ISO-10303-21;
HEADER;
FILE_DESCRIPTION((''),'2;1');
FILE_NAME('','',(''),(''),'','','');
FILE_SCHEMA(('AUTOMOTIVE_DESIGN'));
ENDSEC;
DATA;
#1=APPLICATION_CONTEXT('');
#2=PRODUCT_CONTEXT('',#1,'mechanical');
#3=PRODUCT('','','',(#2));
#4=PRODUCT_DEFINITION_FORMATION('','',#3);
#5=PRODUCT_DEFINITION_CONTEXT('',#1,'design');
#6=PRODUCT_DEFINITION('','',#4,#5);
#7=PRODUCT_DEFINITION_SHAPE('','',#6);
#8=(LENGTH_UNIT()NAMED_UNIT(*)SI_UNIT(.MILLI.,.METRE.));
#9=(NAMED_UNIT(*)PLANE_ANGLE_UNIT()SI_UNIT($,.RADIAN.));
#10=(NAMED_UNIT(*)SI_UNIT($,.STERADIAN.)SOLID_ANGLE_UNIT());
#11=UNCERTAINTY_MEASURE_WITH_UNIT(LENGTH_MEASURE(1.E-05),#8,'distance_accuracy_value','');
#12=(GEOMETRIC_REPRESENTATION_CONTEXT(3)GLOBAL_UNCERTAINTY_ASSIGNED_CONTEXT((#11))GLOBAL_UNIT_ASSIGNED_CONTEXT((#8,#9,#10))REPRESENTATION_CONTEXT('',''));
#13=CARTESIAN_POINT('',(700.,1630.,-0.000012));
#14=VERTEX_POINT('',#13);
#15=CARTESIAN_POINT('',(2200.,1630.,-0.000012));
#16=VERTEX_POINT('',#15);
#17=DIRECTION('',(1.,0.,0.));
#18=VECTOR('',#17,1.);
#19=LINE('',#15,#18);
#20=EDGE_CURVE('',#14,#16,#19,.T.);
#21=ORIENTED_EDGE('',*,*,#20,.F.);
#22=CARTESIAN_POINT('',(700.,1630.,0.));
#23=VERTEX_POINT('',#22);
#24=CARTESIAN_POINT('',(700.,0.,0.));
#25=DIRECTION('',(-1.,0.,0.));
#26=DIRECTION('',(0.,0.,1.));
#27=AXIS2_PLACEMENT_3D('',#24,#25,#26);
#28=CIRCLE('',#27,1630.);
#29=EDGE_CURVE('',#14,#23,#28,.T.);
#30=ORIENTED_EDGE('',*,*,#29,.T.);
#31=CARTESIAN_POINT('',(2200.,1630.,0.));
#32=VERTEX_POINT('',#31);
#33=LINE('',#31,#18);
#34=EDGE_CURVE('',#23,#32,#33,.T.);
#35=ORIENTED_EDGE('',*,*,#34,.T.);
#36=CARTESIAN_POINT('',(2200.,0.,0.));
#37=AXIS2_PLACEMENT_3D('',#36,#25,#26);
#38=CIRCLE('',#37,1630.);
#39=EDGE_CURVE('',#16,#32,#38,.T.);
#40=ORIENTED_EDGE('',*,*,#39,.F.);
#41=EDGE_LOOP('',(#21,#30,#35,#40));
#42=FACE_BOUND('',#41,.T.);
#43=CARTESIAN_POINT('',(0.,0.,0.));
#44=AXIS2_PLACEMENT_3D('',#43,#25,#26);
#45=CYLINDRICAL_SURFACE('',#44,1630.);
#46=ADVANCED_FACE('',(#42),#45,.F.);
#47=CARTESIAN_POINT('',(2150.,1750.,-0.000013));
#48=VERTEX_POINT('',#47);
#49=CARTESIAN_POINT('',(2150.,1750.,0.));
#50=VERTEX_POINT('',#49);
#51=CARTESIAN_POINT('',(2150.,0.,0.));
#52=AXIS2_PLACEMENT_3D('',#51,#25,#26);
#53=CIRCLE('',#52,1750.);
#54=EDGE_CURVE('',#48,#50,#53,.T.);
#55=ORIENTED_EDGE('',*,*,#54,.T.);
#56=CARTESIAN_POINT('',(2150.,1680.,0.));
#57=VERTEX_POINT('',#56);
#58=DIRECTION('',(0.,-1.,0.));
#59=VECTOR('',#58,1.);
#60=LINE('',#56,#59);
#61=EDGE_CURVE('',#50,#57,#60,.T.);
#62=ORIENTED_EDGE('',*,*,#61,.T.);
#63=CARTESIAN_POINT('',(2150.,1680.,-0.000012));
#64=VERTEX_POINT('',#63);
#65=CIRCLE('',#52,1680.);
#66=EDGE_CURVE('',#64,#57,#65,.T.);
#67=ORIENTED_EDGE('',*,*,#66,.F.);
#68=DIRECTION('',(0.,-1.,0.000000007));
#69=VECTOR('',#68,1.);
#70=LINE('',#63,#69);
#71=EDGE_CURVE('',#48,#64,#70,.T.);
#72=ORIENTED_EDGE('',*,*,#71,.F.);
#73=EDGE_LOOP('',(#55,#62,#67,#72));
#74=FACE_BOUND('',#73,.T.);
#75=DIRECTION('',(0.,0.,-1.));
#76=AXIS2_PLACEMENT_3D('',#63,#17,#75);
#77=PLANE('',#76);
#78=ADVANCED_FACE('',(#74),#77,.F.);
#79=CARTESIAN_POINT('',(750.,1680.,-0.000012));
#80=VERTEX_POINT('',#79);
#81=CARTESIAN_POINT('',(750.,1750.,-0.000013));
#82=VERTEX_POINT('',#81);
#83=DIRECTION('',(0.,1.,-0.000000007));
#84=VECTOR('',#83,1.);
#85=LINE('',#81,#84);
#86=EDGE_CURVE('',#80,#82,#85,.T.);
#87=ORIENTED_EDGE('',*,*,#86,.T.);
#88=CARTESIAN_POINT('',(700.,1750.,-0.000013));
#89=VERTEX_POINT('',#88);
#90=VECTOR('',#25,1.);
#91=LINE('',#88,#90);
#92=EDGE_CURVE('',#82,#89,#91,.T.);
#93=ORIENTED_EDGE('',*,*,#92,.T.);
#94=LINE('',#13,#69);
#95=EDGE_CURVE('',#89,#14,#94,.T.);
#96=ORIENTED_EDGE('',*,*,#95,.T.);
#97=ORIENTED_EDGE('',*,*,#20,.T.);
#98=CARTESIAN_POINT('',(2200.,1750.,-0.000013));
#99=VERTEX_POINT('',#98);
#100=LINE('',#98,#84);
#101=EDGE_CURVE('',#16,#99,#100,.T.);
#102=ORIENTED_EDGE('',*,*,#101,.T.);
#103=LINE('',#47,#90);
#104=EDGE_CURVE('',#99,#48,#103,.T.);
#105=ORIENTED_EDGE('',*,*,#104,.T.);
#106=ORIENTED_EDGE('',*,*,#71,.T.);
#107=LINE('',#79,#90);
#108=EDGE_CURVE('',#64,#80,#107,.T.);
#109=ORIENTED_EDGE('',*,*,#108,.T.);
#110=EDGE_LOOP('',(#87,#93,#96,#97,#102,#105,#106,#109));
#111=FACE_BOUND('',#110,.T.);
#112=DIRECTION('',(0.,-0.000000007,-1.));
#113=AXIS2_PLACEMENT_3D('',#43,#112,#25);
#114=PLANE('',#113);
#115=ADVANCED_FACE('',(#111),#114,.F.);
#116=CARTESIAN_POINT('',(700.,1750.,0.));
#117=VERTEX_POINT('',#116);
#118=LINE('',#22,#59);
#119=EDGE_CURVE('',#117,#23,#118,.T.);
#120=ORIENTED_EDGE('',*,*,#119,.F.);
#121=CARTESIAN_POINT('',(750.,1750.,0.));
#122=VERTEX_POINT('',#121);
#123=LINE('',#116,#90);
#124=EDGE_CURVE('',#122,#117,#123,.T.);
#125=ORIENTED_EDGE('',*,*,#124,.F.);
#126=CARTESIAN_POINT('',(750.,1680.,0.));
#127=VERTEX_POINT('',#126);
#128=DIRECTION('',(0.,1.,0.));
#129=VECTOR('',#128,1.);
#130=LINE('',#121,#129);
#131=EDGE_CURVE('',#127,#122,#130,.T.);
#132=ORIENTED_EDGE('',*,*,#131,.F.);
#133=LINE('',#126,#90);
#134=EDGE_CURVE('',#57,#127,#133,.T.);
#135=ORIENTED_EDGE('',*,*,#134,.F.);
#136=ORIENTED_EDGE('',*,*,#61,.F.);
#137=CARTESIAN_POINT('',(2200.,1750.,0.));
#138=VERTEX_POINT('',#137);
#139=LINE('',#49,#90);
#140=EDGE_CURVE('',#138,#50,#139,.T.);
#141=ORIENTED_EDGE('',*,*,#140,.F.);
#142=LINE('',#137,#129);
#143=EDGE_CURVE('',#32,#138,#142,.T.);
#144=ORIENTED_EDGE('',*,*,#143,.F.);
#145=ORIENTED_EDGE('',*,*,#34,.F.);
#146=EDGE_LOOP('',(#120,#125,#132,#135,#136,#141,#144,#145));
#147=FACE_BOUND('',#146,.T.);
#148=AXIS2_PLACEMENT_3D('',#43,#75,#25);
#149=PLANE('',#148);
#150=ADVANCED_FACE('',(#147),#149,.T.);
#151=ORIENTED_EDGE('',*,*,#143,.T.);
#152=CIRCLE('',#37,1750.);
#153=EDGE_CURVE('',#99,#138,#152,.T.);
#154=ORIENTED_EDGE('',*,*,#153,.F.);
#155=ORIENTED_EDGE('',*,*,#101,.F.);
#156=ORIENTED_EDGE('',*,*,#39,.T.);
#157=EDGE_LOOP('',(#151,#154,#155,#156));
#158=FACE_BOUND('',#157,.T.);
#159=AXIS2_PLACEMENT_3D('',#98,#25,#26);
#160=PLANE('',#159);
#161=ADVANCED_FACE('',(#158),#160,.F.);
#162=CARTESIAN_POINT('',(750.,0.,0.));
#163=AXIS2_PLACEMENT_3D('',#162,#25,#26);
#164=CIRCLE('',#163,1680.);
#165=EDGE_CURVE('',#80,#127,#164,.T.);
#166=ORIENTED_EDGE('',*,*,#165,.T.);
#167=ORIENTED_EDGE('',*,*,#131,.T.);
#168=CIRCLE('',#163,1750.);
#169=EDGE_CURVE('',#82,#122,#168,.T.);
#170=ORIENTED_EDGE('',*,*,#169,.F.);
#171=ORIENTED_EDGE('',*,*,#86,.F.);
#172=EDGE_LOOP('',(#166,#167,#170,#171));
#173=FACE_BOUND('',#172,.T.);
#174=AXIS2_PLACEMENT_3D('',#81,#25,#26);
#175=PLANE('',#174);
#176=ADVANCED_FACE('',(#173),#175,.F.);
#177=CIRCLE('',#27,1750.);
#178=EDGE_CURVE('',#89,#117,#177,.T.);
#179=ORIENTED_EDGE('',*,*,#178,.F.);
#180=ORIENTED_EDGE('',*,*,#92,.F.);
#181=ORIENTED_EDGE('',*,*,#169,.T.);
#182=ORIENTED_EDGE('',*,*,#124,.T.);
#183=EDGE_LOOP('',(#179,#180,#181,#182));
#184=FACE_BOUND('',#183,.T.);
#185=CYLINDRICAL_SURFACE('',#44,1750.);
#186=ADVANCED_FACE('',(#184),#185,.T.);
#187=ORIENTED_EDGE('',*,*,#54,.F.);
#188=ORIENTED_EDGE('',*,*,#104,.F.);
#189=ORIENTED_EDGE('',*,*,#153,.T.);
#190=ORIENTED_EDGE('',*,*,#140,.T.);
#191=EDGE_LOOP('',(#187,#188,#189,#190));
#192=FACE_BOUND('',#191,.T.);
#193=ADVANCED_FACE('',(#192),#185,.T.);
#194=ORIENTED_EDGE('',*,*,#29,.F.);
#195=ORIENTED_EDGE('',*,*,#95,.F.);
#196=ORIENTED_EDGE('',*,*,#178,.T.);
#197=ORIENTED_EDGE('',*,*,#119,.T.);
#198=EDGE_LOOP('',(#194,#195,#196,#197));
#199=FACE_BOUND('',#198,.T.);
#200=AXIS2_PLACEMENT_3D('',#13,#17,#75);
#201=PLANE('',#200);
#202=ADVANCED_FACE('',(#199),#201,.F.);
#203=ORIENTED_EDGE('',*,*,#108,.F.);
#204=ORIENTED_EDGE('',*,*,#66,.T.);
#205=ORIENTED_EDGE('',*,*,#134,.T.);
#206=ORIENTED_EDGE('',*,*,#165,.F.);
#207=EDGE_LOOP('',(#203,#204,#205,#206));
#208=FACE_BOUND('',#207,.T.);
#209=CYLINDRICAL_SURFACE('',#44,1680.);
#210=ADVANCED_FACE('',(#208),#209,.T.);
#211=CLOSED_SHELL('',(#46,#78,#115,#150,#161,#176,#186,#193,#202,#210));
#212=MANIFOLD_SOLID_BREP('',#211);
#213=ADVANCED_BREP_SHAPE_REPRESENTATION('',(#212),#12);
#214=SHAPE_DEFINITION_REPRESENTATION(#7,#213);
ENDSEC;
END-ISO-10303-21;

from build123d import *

# Parameters (mm, degrees)
REVOLVE1_ANGLE = 359.999999589


with BuildPart() as part:
    # Sketch1 → Revolve1 (revolve)
    with BuildSketch(Plane.XY):
        Polygon((700, 1630), (700, 1750), (750, 1750), (750, 1680), (2150, 1680), (2150, 1750), (2200, 1750), (2200, 1630), align=None)
    revolve(axis=Axis((0, 0, 0), (1, 0, 0)), revolution_arc=REVOLVE1_ANGLE)


solid = part.part
